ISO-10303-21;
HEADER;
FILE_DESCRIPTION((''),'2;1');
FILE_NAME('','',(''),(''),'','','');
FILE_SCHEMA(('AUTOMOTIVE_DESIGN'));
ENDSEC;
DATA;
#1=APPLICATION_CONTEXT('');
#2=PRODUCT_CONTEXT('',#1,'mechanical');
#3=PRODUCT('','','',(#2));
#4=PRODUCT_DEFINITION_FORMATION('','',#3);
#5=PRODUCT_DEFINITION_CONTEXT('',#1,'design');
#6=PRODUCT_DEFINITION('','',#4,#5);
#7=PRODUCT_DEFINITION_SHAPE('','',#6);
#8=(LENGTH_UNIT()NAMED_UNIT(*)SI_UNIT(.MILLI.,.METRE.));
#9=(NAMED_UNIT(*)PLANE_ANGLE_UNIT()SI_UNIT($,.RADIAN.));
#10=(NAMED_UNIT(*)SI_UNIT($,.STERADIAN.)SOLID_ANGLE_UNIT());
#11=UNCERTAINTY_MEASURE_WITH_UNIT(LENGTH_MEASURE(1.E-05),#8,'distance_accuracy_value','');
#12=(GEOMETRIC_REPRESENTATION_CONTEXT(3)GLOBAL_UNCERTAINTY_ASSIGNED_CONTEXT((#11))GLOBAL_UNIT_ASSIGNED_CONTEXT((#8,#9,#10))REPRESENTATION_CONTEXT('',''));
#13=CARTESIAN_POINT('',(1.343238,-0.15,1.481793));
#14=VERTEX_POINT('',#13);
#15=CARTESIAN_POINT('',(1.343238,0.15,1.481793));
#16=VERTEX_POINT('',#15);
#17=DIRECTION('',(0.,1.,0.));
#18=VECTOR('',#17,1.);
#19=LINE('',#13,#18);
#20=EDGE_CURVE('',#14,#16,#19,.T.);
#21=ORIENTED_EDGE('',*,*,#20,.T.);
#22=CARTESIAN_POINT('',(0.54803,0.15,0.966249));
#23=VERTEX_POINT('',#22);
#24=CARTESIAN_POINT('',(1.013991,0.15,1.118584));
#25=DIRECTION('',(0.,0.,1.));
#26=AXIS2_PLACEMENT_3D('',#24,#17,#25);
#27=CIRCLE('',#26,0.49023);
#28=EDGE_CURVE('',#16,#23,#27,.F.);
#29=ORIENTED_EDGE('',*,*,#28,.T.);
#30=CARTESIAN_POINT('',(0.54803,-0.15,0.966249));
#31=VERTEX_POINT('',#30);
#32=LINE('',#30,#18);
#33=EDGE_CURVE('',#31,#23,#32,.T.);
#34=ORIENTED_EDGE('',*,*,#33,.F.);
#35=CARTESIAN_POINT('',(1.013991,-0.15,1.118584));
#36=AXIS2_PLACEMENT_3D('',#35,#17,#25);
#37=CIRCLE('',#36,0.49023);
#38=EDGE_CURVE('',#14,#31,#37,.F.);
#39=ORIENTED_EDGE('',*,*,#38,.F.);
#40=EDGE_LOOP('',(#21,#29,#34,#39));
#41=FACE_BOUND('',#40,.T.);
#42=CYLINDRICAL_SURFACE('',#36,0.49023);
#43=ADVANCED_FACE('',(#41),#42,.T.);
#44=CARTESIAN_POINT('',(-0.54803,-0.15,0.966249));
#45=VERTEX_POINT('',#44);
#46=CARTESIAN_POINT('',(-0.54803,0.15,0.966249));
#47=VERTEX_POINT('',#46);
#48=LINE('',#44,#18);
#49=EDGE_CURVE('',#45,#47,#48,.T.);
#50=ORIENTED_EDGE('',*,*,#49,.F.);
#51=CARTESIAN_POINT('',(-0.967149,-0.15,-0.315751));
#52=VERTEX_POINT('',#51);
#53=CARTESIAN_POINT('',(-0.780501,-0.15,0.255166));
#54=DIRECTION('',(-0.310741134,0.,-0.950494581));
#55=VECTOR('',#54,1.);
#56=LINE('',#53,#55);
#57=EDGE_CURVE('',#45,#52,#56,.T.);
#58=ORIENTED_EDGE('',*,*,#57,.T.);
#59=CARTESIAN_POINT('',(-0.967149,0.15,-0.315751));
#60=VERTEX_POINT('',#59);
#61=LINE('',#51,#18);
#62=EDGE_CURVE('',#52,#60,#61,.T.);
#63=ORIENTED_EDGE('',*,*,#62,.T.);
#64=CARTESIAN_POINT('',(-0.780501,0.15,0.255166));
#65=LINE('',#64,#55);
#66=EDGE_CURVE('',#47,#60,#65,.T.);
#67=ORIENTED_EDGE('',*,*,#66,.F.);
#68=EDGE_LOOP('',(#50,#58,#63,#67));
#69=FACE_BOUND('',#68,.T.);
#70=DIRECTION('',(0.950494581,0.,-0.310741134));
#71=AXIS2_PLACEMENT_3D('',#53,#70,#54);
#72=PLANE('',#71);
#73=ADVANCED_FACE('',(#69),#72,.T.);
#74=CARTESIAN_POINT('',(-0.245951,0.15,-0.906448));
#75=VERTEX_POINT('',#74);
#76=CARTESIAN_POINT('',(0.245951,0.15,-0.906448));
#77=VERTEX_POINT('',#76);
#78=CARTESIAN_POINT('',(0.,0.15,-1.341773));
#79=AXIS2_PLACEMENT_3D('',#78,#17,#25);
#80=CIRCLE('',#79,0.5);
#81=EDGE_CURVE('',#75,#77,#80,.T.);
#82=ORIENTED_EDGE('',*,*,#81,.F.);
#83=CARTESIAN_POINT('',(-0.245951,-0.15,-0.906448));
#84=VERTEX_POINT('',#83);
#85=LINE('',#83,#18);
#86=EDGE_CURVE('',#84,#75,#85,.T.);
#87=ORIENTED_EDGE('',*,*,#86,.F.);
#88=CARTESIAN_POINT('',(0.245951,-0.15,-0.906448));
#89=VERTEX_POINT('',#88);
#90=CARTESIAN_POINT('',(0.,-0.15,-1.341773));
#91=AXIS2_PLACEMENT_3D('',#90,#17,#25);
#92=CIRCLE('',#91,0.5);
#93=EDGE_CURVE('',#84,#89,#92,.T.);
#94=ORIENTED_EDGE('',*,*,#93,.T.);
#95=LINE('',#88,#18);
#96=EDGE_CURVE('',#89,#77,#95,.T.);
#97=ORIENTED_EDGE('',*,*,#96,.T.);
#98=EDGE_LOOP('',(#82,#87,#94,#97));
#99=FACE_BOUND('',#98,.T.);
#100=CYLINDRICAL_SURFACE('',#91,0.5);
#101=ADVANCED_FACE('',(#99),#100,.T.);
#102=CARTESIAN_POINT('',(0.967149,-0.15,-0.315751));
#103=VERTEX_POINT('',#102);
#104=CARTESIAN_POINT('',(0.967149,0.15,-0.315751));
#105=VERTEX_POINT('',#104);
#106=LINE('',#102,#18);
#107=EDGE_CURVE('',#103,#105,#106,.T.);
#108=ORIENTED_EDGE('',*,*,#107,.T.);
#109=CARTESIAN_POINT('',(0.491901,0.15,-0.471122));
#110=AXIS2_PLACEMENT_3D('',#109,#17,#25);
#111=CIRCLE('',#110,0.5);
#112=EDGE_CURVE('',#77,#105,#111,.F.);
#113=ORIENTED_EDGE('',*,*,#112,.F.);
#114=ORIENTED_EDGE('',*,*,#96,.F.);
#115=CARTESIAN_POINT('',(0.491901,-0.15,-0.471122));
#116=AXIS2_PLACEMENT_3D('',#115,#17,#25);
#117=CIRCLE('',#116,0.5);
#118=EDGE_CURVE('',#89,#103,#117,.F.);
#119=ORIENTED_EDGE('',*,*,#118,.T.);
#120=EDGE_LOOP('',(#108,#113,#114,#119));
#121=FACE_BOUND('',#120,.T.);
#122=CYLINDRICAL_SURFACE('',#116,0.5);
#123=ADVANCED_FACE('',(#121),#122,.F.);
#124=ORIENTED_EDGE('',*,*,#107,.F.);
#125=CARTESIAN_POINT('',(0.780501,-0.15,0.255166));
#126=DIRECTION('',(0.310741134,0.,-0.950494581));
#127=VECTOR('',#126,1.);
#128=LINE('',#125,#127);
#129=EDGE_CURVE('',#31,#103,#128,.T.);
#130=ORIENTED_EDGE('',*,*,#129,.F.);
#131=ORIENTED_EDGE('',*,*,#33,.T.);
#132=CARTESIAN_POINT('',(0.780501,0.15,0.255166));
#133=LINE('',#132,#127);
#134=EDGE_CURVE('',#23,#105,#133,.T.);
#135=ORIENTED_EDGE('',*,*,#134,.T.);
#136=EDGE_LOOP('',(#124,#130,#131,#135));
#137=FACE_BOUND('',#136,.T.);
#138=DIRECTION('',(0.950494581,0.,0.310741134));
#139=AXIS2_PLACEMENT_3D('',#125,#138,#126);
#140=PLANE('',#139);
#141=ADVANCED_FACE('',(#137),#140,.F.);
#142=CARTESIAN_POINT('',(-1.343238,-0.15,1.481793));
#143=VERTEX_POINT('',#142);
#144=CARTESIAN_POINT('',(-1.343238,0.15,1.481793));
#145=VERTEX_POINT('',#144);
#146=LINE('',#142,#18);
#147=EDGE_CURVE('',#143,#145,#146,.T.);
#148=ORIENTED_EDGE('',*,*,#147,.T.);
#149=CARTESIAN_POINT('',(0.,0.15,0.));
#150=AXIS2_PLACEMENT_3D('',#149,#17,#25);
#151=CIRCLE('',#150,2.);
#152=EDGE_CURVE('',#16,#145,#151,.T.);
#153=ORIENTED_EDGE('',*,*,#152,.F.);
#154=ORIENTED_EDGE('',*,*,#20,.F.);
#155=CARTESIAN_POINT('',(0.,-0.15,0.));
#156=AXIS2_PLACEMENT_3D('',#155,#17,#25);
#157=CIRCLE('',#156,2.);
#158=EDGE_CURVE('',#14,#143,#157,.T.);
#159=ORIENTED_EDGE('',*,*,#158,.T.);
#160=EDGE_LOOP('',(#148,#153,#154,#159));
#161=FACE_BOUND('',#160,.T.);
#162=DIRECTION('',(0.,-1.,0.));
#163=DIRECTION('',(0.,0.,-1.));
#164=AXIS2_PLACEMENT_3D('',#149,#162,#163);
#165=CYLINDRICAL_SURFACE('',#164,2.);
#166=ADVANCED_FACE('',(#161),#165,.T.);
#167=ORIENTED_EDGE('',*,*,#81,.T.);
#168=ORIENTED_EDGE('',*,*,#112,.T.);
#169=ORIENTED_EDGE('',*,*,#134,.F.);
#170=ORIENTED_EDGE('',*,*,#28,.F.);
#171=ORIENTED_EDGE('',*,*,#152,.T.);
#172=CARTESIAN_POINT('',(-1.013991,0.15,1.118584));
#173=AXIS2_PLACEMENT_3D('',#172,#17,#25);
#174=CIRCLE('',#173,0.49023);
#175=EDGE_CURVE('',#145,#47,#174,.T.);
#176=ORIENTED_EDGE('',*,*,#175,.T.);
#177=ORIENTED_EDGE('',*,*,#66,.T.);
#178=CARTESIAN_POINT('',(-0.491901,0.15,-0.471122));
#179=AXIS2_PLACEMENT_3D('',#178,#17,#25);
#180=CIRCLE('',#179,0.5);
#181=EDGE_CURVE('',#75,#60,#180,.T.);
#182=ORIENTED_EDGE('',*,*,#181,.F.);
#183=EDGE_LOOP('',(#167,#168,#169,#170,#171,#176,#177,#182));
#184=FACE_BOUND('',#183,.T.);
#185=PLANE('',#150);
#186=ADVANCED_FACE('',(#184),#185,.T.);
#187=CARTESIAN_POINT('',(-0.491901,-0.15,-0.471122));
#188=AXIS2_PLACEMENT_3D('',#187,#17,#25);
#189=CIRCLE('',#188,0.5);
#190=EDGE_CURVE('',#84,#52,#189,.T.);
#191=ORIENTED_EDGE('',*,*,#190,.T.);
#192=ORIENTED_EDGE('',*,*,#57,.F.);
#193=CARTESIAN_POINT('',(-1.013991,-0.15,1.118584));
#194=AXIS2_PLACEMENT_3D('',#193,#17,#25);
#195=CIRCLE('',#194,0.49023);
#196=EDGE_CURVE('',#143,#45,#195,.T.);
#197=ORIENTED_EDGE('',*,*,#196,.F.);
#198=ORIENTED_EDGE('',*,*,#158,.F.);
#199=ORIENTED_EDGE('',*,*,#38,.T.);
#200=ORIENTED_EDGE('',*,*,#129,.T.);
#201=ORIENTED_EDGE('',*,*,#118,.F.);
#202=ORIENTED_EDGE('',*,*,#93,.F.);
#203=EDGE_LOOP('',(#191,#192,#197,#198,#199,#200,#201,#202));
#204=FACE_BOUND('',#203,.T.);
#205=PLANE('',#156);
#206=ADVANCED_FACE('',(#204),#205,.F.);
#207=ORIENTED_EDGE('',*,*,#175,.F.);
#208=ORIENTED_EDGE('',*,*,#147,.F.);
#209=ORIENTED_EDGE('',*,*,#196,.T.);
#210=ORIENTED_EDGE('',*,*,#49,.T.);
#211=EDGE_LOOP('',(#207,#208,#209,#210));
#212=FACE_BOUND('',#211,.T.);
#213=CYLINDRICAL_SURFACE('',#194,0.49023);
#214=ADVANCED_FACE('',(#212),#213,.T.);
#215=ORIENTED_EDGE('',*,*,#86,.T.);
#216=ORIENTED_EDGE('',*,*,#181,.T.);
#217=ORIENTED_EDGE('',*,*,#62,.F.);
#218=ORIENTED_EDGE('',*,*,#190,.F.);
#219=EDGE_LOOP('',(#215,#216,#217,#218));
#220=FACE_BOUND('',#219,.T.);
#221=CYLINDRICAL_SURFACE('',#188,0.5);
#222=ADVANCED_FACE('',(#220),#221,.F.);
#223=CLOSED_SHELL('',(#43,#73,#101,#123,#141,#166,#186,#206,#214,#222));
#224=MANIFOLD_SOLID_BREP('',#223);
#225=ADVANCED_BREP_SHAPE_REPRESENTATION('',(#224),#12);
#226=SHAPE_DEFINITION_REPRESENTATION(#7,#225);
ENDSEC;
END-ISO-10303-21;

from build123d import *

# Parameters (mm, degrees)
SKETCH1_R           = 2
BOSS_EXTRUDE1_DEPTH = 0.15
CUT_EXTRUDE1_DEPTH  = 0.3


with BuildPart() as part:
    # Sketch1 → Boss-Extrude1 (new, symmetric)
    with BuildSketch(Plane(origin=(0, 0, 0), x_dir=(1, 0, 0), z_dir=(0, 1, 0))):
        with Locations(Location((0, 0, 0), (0, 0, 270))):
            Circle(SKETCH1_R)
    extrude(amount=BOSS_EXTRUDE1_DEPTH, both=True)

    # Sketch2 → Cut-Extrude1 (cut)
    with BuildSketch(Plane(origin=(0, 0.15, 0), x_dir=(1, 0, 0), z_dir=(0, 1, 0))):
        with BuildLine():
            Line((-0.967148548, 0.315751436), (-0.548029651, -0.966248909))
            ThreePointArc((-0.548029651, -0.966248909), (-0.747308894, -1.529930389), (-1.34323828, -1.481793145))
            ThreePointArc((-1.34323828, -1.481793145), (0, -2), (1.34323828, -1.481793145))
            ThreePointArc((1.34323828, -1.481793145), (0.747308894, -1.529930389), (0.548029651, -0.966248909))
            Line((0.548029651, -0.966248909), (0.967148548, 0.315751436))
            ThreePointArc((0.967148548, 0.315751436), (0.808720922, 0.8579363), (0.245950629, 0.9064475))
            ThreePointArc((0.245950629, 0.9064475), (0, 0.841772997), (-0.245950629, 0.9064475))
            ThreePointArc((-0.245950629, 0.9064475), (-0.808720922, 0.8579363), (-0.967148548, 0.315751436))
        make_face()
    extrude(amount=-CUT_EXTRUDE1_DEPTH, mode=Mode.SUBTRACT)


solid = part.part
